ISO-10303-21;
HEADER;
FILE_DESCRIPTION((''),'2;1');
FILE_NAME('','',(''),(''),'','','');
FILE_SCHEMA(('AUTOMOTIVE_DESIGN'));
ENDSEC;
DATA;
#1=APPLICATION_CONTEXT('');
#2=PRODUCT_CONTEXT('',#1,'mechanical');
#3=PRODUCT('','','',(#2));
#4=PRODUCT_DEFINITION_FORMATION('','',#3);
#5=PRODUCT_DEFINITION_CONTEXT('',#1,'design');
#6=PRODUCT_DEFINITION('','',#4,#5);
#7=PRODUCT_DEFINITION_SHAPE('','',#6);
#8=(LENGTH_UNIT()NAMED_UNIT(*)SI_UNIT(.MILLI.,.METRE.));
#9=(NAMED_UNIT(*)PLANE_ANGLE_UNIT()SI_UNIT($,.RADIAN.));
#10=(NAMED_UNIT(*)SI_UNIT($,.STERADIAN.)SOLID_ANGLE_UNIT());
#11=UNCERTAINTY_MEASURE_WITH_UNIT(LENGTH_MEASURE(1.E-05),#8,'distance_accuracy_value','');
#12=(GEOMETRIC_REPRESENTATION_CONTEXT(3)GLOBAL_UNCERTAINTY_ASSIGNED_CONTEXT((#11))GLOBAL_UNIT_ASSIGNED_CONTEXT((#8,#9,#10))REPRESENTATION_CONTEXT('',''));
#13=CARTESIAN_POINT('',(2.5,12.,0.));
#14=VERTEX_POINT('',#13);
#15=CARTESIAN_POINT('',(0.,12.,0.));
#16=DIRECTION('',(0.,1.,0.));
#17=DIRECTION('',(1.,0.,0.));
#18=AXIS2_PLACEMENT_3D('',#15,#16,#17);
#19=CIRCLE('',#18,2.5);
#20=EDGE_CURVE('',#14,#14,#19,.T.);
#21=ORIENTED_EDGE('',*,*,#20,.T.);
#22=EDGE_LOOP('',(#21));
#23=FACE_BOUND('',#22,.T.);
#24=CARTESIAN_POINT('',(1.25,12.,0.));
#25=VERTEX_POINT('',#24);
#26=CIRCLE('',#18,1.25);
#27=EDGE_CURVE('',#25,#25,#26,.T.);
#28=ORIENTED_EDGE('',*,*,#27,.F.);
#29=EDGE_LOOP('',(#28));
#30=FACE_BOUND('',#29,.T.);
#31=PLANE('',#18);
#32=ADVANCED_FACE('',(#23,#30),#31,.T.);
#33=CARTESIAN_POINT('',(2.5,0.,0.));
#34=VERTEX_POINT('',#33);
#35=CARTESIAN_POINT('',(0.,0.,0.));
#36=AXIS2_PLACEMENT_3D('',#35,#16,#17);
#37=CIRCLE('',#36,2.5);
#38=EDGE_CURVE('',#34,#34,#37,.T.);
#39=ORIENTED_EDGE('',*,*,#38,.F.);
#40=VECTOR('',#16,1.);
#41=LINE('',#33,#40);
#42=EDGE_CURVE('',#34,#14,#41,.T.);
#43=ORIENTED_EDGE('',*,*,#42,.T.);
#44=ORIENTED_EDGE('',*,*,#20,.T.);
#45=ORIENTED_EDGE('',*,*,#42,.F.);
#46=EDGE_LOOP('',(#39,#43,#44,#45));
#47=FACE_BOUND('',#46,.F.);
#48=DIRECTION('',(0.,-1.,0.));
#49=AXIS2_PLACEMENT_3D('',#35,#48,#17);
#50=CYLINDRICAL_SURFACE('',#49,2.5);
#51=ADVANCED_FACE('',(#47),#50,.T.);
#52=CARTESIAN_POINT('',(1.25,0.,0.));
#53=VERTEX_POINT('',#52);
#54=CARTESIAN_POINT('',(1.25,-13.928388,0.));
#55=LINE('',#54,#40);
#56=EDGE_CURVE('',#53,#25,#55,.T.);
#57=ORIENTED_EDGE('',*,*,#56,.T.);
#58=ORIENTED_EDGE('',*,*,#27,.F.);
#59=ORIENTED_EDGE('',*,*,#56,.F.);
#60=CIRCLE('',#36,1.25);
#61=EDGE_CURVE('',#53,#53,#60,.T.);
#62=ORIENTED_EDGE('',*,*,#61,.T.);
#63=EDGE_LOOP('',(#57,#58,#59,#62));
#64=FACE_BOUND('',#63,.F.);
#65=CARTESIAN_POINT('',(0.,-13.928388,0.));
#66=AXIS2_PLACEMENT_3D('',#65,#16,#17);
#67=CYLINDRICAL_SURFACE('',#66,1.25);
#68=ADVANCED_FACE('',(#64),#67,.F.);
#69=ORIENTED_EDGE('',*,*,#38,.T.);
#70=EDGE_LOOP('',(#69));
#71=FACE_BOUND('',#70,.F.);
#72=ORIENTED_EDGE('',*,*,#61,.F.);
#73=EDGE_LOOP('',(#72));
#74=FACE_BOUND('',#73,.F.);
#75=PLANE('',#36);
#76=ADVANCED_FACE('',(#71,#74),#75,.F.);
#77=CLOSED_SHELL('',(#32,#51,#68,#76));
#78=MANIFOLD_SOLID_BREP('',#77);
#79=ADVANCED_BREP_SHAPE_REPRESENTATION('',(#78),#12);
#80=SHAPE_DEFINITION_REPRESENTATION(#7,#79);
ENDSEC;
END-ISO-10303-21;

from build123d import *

# Parameters (mm, degrees)
SKETCH1_R                   = 2.5
BOSS_EXTRUDE1_DEPTH         = 12
TAP_DRILL_FOR_M3X0_5_TAP1_D = 2.5


with BuildPart() as part:
    # Sketch1 → Boss-Extrude1 (new body)
    with BuildSketch(Plane(origin=(0, 0, 0), x_dir=(1, 0, 0), z_dir=(0, 1, 0))):
        Circle(SKETCH1_R)
    extrude(amount=BOSS_EXTRUDE1_DEPTH)

    # Tap Drill for M3x0.5 Tap1 (through all)
    with Locations(Plane(origin=(0, 0, 0), x_dir=(-1, 0, 0), z_dir=(0, -1, 0))):
        with Locations((0, 0)):
            Hole(TAP_DRILL_FOR_M3X0_5_TAP1_D / 2)


solid = part.part
